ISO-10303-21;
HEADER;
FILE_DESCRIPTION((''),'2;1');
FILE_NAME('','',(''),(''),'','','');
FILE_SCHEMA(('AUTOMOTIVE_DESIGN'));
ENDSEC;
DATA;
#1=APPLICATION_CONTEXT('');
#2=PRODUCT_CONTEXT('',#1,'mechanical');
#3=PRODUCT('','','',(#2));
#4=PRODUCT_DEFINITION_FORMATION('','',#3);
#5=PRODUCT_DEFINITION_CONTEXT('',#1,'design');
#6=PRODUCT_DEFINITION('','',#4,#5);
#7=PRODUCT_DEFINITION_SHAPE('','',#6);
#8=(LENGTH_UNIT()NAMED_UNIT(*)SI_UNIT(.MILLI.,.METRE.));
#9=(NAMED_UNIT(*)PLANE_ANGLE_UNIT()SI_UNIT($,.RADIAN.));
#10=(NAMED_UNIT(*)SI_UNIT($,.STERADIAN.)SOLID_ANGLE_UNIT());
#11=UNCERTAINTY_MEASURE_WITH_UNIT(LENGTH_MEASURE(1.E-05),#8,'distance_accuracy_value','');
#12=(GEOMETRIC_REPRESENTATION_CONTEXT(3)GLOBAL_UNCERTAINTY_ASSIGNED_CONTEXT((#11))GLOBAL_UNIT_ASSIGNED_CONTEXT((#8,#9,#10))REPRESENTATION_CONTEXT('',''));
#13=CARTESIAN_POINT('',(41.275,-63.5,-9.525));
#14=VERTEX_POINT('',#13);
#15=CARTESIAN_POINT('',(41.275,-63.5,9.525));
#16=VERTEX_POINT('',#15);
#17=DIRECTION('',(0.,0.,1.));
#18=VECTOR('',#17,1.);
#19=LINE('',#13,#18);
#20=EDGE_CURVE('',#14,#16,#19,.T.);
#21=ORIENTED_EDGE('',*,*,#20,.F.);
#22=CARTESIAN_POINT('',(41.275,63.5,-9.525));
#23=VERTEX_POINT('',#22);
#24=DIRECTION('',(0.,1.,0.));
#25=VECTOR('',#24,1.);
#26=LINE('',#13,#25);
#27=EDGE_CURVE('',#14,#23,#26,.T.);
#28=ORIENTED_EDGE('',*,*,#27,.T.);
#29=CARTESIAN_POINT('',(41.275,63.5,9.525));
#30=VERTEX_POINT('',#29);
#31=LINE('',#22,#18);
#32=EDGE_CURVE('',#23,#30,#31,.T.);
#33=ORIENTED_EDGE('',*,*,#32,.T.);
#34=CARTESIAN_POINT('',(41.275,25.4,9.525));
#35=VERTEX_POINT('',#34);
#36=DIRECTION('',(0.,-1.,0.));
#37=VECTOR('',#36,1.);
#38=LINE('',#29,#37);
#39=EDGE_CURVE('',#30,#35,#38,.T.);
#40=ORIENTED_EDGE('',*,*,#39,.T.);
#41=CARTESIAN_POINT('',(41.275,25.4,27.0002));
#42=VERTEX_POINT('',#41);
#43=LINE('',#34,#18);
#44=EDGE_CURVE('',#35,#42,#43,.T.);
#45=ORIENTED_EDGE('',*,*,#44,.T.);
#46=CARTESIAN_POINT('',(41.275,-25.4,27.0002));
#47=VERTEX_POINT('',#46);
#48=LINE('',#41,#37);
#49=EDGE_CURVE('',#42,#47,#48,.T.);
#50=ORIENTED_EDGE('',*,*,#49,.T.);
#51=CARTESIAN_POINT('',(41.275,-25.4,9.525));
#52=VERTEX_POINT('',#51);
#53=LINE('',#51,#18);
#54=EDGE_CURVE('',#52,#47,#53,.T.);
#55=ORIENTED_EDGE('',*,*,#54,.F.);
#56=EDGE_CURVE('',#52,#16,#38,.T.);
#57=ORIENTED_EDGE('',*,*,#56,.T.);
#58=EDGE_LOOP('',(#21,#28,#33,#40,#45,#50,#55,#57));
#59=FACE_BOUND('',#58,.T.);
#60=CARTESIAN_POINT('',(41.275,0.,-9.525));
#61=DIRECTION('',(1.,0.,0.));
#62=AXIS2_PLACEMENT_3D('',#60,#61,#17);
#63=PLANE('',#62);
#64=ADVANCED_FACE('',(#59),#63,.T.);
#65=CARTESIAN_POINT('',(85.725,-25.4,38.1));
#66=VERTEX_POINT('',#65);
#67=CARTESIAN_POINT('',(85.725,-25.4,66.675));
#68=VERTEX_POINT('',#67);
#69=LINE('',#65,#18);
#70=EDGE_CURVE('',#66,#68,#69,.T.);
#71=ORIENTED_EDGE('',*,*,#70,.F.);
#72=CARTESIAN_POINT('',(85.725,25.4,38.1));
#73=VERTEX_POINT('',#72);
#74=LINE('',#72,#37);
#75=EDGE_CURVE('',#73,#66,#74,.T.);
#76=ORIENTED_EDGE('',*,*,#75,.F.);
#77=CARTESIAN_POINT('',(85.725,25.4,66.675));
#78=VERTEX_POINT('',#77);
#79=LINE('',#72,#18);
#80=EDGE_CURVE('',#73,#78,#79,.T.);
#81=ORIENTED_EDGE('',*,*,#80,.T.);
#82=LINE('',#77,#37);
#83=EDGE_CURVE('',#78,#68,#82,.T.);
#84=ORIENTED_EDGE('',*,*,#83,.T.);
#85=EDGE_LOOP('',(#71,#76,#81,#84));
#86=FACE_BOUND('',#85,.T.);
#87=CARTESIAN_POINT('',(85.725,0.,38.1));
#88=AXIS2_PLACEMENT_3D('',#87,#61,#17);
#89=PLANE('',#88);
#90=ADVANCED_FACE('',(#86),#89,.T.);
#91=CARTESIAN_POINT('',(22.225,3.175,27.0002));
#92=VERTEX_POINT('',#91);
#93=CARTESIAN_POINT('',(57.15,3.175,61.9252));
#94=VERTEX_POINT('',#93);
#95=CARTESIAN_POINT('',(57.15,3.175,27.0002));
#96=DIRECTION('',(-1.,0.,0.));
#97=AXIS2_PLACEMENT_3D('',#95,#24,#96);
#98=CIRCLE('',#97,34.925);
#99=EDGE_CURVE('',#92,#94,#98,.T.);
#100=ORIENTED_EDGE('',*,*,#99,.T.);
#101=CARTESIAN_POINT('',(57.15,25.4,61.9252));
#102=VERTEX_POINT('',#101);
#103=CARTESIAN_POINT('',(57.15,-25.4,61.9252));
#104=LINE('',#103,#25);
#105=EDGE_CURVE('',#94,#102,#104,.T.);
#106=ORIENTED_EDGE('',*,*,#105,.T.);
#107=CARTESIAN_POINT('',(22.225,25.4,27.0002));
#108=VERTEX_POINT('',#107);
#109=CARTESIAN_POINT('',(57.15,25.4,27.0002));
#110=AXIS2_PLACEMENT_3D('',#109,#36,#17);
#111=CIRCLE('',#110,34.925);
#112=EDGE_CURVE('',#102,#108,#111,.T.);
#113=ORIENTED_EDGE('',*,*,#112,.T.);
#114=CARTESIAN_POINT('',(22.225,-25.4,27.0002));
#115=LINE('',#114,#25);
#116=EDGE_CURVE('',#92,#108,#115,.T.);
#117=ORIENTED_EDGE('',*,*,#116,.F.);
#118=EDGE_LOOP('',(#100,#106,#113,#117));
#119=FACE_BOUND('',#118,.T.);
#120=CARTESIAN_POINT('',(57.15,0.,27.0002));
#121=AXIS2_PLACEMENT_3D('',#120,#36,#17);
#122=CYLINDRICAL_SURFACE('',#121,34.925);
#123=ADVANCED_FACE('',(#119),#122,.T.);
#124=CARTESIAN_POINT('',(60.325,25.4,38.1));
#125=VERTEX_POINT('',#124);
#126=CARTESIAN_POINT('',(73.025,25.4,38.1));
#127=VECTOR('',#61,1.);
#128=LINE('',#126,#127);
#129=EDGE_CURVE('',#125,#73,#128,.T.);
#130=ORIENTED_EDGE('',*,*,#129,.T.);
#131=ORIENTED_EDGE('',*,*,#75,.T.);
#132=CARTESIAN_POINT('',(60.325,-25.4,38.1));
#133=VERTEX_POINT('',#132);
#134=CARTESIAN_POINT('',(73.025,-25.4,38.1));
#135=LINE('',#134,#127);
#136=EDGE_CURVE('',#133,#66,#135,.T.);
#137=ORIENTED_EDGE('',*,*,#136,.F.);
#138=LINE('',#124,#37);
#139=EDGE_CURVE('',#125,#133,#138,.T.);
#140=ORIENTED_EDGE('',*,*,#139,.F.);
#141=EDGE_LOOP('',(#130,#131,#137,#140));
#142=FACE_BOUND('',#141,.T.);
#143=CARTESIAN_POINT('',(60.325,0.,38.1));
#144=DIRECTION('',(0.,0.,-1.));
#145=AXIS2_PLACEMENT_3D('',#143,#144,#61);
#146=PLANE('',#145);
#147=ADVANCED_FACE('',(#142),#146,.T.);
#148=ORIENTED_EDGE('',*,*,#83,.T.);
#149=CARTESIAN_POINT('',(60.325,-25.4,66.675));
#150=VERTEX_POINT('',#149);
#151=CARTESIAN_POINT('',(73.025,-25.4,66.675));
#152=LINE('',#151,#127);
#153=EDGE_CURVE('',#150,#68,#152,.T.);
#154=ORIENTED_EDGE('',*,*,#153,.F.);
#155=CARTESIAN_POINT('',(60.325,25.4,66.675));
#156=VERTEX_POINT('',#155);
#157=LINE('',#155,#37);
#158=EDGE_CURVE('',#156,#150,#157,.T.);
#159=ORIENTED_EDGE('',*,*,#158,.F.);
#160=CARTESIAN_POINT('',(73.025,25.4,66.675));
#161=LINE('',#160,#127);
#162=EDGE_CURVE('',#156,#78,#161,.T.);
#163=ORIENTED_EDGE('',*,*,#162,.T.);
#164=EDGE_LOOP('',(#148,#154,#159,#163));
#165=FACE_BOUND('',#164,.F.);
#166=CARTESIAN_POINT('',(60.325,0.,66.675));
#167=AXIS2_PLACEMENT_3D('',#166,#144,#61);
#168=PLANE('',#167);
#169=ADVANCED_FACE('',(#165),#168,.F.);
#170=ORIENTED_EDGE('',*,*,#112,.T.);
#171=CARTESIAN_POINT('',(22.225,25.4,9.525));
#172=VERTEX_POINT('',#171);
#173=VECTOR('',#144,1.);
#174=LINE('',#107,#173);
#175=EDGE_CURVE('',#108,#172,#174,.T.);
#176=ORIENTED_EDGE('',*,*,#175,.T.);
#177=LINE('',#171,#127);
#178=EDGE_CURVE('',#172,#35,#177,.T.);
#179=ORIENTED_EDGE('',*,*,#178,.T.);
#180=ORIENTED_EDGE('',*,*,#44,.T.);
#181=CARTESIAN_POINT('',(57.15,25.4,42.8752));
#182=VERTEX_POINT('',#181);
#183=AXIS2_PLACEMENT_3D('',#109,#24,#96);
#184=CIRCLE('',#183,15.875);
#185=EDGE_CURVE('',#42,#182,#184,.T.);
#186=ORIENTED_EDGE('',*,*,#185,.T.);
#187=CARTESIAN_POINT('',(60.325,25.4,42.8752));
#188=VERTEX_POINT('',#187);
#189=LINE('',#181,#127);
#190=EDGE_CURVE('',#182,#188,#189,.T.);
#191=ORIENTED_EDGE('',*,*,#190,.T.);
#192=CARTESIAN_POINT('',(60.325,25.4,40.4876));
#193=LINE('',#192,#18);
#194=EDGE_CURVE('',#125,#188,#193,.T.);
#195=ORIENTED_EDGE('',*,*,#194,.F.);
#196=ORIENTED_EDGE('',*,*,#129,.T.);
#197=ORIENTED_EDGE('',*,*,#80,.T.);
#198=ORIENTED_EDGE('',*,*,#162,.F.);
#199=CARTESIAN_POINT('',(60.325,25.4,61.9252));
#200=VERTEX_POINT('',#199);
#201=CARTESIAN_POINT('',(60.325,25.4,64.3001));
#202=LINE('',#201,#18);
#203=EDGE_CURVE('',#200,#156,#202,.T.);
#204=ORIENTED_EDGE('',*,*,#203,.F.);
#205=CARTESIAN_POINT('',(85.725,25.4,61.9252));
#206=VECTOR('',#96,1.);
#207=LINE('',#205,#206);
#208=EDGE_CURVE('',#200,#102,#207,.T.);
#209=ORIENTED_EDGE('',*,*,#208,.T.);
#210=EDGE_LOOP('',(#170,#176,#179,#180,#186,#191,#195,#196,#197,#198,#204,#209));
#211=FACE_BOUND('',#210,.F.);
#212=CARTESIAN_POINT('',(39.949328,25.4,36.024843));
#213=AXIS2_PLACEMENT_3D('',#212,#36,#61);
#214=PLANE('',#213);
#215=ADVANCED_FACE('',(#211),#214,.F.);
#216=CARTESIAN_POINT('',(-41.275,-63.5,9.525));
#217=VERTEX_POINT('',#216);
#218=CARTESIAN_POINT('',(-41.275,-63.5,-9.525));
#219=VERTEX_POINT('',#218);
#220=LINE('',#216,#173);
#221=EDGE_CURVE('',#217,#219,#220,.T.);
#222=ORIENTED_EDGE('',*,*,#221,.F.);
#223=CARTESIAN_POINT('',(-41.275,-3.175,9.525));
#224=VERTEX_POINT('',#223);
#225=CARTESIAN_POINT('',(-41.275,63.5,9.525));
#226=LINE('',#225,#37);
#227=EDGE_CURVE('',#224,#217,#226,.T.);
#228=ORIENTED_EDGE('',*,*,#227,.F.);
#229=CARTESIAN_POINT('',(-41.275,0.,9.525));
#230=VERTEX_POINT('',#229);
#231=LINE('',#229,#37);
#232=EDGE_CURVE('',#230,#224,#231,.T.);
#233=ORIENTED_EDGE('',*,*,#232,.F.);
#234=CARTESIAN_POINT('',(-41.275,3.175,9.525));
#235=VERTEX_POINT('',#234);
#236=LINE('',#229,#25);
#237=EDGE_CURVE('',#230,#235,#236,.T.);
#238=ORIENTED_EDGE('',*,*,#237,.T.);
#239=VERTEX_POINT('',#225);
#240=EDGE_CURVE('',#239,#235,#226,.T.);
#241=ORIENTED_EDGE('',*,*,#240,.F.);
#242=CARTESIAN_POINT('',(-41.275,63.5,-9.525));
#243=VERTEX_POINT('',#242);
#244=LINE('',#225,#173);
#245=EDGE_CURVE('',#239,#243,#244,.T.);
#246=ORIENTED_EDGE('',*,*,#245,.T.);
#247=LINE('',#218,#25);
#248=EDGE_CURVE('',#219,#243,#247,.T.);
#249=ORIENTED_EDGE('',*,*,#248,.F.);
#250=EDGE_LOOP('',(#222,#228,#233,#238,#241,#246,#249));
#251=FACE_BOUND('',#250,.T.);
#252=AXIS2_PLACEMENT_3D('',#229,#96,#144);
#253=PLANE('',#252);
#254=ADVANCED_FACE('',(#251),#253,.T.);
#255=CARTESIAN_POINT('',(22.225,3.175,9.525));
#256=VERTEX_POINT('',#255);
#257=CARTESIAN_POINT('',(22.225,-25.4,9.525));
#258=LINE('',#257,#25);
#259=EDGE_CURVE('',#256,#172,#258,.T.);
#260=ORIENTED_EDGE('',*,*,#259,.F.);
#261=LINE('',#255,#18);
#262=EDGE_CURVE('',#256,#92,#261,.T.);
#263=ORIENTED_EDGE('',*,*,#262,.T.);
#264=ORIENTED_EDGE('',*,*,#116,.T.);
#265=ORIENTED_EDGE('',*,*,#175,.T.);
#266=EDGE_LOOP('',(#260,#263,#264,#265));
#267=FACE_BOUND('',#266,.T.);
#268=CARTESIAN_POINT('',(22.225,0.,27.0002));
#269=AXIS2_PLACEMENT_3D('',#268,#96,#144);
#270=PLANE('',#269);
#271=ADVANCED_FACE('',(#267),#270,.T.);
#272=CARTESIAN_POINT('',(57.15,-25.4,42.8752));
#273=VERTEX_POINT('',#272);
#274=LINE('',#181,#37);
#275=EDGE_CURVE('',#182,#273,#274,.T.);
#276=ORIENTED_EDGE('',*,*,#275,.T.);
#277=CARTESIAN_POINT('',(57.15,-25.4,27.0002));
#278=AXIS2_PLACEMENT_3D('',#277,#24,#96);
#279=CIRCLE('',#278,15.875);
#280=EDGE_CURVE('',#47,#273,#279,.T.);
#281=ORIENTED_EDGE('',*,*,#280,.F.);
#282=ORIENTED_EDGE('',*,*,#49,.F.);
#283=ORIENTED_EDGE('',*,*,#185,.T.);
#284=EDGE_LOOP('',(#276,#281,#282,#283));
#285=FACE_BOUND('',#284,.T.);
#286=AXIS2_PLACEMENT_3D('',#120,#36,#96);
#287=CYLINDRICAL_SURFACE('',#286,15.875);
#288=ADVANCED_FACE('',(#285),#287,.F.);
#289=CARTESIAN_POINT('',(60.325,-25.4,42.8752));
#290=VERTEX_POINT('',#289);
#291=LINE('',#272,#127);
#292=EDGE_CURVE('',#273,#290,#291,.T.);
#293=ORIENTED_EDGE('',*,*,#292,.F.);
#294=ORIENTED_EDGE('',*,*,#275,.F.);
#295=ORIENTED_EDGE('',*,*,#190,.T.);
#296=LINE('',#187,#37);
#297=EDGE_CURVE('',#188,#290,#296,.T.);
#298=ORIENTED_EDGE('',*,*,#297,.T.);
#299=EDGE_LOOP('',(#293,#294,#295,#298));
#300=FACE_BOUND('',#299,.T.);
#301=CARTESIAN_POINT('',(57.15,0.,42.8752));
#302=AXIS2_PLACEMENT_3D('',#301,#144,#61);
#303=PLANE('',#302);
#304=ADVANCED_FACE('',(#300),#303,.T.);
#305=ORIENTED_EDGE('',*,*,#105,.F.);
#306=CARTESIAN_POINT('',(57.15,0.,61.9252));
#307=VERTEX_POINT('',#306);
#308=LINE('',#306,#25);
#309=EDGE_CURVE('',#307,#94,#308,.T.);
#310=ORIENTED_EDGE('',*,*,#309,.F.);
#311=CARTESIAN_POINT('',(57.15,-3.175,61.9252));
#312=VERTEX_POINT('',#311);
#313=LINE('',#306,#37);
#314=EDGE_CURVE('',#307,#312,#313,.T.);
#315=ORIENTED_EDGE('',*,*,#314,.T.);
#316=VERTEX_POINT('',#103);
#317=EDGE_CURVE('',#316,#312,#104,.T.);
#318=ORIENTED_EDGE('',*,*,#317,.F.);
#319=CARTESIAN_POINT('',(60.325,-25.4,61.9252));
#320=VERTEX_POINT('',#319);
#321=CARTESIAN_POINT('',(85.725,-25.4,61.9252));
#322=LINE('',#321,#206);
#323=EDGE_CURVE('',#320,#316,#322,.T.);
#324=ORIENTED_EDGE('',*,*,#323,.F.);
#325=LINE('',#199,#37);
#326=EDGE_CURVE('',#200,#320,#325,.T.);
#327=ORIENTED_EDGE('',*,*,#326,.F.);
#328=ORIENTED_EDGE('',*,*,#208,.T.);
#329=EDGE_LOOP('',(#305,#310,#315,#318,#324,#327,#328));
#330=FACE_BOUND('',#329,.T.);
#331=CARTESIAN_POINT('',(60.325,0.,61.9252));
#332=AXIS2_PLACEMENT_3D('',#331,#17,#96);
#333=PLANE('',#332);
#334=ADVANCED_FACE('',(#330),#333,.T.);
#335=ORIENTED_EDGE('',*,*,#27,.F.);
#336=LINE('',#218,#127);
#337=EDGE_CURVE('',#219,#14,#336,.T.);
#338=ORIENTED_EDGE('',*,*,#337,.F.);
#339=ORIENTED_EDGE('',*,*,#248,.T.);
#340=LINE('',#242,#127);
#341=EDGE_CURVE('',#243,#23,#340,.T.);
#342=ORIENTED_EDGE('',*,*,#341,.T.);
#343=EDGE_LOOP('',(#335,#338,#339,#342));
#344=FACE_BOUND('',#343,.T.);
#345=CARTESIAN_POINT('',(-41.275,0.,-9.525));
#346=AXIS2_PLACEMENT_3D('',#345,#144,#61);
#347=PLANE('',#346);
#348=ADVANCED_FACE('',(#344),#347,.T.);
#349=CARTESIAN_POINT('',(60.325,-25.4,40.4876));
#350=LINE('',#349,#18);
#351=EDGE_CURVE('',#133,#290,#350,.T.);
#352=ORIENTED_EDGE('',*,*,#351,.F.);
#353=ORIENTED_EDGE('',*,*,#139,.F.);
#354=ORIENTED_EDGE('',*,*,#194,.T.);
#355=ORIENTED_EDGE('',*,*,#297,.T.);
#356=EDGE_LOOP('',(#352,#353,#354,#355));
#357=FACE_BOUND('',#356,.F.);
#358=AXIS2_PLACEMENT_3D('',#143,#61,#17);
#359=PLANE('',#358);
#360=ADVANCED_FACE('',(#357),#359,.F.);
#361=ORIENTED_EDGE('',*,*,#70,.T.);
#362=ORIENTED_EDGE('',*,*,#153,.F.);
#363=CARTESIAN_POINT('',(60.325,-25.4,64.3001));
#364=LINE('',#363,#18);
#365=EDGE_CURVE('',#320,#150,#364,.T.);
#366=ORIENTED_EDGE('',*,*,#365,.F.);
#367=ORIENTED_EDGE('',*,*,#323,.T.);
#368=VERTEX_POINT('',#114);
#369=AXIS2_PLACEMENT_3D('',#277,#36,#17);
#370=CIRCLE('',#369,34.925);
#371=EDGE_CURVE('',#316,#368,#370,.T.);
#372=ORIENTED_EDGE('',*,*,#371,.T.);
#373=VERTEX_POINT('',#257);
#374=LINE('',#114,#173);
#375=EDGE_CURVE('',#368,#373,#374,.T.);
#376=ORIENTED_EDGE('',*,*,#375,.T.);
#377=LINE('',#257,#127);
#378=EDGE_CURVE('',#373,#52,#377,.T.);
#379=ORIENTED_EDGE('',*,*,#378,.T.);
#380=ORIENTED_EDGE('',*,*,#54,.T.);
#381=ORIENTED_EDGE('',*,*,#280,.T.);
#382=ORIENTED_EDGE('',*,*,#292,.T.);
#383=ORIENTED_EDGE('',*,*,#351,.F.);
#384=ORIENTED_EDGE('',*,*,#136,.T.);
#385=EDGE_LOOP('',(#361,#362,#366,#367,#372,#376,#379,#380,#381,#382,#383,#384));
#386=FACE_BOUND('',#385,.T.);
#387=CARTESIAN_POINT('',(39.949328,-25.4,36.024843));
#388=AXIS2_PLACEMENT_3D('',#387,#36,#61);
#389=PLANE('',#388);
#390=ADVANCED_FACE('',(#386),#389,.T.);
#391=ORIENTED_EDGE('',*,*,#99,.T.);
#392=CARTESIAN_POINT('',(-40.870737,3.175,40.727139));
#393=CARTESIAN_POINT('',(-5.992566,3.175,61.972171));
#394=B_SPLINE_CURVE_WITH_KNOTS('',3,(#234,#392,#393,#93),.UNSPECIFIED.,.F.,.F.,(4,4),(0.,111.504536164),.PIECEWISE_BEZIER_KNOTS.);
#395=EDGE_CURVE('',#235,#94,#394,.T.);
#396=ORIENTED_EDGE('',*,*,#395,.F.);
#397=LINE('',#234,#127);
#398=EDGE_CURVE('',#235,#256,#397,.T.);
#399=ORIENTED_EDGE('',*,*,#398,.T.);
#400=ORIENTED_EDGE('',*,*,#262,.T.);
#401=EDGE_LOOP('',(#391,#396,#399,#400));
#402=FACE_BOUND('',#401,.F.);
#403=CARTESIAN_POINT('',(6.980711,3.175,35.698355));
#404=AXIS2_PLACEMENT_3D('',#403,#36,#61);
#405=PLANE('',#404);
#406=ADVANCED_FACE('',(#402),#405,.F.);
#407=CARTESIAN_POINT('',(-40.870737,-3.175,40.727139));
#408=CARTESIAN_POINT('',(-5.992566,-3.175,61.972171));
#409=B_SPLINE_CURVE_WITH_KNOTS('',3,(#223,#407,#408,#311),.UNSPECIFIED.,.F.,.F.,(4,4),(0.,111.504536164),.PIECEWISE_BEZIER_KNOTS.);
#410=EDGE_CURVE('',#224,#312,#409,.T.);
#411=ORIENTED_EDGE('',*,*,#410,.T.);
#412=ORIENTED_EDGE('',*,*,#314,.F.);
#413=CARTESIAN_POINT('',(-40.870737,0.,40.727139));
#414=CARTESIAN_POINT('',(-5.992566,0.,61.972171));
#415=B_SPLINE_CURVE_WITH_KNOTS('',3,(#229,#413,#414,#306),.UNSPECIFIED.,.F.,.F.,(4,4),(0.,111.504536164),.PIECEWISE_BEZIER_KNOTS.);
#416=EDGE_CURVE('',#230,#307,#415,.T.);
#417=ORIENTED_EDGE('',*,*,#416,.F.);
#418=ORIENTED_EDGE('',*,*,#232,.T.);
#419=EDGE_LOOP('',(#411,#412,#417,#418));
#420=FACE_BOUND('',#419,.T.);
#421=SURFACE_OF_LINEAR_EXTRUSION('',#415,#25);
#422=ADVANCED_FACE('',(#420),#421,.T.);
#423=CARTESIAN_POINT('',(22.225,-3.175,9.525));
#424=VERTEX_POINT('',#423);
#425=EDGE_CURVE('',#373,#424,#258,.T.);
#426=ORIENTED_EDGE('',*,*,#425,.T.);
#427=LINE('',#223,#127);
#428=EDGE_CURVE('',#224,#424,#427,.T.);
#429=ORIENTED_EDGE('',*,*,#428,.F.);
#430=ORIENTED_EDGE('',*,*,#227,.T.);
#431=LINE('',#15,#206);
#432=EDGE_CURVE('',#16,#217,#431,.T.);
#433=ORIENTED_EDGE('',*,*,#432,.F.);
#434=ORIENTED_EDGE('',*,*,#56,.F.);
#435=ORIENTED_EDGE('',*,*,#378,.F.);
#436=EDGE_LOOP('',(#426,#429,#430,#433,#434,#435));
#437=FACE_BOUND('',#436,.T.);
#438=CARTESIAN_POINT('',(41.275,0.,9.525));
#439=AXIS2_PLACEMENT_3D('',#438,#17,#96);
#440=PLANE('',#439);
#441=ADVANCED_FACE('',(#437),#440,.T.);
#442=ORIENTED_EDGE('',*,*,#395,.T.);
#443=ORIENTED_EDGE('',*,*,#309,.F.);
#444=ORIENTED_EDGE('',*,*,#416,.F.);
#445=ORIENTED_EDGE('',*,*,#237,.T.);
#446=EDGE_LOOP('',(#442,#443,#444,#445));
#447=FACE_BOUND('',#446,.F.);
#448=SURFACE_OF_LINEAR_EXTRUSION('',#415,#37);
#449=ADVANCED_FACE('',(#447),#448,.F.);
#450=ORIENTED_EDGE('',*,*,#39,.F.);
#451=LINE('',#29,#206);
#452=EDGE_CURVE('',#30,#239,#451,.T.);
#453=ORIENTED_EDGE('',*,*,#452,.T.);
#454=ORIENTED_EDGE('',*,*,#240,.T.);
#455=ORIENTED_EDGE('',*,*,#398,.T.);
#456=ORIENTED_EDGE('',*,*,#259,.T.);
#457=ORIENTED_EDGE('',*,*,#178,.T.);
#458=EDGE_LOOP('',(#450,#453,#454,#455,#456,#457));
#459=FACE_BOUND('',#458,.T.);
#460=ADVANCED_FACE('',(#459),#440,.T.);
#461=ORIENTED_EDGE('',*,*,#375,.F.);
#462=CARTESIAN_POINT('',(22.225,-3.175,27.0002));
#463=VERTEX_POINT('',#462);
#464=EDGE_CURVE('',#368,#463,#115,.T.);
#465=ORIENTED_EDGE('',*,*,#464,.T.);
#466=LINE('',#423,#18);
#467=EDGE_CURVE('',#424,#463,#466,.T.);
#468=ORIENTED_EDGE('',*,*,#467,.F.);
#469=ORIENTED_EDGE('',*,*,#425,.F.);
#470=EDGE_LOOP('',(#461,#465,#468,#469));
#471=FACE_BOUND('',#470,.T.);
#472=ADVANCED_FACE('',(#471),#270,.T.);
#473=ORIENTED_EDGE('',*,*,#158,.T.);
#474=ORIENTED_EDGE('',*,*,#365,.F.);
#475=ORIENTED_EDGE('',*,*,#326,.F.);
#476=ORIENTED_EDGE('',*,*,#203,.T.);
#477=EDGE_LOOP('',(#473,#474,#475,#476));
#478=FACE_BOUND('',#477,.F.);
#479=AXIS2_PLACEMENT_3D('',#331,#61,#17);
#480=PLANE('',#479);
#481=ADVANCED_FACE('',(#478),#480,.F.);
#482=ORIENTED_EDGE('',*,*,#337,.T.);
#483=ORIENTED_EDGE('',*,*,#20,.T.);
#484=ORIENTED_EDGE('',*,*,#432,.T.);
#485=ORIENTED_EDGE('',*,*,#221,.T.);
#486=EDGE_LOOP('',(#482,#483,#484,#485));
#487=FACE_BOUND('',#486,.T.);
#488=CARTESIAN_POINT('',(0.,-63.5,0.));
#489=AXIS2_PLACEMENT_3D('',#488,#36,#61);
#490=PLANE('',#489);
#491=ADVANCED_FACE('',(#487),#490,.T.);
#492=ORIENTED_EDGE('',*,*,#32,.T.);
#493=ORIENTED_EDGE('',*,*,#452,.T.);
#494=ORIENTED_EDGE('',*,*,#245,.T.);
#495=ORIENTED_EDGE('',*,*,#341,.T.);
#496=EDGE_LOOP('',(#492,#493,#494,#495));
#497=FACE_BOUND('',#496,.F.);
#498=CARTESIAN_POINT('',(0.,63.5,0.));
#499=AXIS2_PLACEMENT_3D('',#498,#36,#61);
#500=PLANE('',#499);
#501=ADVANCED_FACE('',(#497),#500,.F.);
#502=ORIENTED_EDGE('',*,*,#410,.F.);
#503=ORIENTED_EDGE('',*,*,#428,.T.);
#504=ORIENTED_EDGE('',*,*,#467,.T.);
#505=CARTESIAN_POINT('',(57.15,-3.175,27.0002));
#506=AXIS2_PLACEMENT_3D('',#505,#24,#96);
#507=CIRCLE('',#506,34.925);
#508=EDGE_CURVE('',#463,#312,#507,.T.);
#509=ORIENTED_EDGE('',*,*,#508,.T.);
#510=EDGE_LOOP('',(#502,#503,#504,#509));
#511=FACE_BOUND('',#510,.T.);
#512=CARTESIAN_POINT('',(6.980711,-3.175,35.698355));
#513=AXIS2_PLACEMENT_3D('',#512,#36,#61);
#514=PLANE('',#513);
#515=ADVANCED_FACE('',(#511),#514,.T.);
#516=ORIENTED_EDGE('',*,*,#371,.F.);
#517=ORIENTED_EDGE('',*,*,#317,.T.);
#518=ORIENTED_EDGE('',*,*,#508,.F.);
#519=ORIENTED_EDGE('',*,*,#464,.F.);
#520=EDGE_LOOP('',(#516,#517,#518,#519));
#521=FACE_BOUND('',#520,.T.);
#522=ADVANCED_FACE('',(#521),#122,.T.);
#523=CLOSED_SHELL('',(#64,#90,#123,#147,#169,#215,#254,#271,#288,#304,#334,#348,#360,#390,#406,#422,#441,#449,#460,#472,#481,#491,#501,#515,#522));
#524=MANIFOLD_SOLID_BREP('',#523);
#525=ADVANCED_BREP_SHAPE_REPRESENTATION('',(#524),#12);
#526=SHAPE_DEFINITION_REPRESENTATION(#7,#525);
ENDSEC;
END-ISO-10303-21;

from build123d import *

# Parameters (mm, degrees)
F1_DEPTH = 63.5
F0_W     = 25.4
F0_H     = 19.05
F0_H_2   = 4.7498
F0_H_3   = 4.7752
F2_DEPTH = 25.4
F3_DEPTH = 3.175


with BuildPart() as f1:
    # F0 (on Front) → F1 (new body, symmetric)
    with BuildSketch(Plane.XZ):
        Polygon((41.275, -9.525), (41.275, 9.525), (22.225, 9.525), (-41.275, 9.525), (-41.275, -9.525), align=None)
    extrude(amount=F1_DEPTH, both=True)

    # F0 (on Front) → F2 (join, symmetric)
    with BuildSketch(Plane.XZ):
        with BuildLine():
            Line((22.225, 9.525), (41.275, 9.525))
            Line((41.275, 9.525), (41.275, 27.0002))
            ThreePointArc((41.275, 27.0002), (45.9246798487, 38.2255201513), (57.15, 42.8752))
            Line((57.15, 42.8752), (60.325, 42.8752))
            Line((60.325, 42.8752), (60.325, 61.9252))
            Line((60.325, 61.9252), (57.15, 61.9252))
            ThreePointArc((57.15, 61.9252), (32.4542956671, 51.6959043329), (22.225, 27.0002))
            Line((22.225, 27.0002), (22.225, 9.525))
        make_face()
        with Locations((73.025, 52.4002)):
            Rectangle(F0_W, F0_H)
        with Locations((73.025, 64.3001)):
            Rectangle(F0_W, F0_H_2)
        with Locations((73.025, 40.4876)):
            Rectangle(F0_W, F0_H_3)
    extrude(amount=F2_DEPTH, both=True)

    # F0 (on Front) → F3 (join, symmetric)
    with BuildSketch(Plane.XZ):
        with BuildLine():
            Line((-41.275, 9.525), (22.225, 9.525))
            Line((22.225, 9.525), (22.225, 27.0002))
            ThreePointArc((22.225, 27.0002), (32.4542956671, 51.6959043329), (57.15, 61.9252))
            add(Edge.make_bspline(
                [(-41.275, 9.525), (-40.8707372844, 40.7271385193), (-5.9925662354, 61.9721710682), (57.15, 61.9252)],
                knots=[0, 0, 0, 0, 111.5045361635, 111.5045361635, 111.5045361635, 111.5045361635], degree=3))
        make_face()
    extrude(amount=F3_DEPTH, both=True)


solid = f1.part
